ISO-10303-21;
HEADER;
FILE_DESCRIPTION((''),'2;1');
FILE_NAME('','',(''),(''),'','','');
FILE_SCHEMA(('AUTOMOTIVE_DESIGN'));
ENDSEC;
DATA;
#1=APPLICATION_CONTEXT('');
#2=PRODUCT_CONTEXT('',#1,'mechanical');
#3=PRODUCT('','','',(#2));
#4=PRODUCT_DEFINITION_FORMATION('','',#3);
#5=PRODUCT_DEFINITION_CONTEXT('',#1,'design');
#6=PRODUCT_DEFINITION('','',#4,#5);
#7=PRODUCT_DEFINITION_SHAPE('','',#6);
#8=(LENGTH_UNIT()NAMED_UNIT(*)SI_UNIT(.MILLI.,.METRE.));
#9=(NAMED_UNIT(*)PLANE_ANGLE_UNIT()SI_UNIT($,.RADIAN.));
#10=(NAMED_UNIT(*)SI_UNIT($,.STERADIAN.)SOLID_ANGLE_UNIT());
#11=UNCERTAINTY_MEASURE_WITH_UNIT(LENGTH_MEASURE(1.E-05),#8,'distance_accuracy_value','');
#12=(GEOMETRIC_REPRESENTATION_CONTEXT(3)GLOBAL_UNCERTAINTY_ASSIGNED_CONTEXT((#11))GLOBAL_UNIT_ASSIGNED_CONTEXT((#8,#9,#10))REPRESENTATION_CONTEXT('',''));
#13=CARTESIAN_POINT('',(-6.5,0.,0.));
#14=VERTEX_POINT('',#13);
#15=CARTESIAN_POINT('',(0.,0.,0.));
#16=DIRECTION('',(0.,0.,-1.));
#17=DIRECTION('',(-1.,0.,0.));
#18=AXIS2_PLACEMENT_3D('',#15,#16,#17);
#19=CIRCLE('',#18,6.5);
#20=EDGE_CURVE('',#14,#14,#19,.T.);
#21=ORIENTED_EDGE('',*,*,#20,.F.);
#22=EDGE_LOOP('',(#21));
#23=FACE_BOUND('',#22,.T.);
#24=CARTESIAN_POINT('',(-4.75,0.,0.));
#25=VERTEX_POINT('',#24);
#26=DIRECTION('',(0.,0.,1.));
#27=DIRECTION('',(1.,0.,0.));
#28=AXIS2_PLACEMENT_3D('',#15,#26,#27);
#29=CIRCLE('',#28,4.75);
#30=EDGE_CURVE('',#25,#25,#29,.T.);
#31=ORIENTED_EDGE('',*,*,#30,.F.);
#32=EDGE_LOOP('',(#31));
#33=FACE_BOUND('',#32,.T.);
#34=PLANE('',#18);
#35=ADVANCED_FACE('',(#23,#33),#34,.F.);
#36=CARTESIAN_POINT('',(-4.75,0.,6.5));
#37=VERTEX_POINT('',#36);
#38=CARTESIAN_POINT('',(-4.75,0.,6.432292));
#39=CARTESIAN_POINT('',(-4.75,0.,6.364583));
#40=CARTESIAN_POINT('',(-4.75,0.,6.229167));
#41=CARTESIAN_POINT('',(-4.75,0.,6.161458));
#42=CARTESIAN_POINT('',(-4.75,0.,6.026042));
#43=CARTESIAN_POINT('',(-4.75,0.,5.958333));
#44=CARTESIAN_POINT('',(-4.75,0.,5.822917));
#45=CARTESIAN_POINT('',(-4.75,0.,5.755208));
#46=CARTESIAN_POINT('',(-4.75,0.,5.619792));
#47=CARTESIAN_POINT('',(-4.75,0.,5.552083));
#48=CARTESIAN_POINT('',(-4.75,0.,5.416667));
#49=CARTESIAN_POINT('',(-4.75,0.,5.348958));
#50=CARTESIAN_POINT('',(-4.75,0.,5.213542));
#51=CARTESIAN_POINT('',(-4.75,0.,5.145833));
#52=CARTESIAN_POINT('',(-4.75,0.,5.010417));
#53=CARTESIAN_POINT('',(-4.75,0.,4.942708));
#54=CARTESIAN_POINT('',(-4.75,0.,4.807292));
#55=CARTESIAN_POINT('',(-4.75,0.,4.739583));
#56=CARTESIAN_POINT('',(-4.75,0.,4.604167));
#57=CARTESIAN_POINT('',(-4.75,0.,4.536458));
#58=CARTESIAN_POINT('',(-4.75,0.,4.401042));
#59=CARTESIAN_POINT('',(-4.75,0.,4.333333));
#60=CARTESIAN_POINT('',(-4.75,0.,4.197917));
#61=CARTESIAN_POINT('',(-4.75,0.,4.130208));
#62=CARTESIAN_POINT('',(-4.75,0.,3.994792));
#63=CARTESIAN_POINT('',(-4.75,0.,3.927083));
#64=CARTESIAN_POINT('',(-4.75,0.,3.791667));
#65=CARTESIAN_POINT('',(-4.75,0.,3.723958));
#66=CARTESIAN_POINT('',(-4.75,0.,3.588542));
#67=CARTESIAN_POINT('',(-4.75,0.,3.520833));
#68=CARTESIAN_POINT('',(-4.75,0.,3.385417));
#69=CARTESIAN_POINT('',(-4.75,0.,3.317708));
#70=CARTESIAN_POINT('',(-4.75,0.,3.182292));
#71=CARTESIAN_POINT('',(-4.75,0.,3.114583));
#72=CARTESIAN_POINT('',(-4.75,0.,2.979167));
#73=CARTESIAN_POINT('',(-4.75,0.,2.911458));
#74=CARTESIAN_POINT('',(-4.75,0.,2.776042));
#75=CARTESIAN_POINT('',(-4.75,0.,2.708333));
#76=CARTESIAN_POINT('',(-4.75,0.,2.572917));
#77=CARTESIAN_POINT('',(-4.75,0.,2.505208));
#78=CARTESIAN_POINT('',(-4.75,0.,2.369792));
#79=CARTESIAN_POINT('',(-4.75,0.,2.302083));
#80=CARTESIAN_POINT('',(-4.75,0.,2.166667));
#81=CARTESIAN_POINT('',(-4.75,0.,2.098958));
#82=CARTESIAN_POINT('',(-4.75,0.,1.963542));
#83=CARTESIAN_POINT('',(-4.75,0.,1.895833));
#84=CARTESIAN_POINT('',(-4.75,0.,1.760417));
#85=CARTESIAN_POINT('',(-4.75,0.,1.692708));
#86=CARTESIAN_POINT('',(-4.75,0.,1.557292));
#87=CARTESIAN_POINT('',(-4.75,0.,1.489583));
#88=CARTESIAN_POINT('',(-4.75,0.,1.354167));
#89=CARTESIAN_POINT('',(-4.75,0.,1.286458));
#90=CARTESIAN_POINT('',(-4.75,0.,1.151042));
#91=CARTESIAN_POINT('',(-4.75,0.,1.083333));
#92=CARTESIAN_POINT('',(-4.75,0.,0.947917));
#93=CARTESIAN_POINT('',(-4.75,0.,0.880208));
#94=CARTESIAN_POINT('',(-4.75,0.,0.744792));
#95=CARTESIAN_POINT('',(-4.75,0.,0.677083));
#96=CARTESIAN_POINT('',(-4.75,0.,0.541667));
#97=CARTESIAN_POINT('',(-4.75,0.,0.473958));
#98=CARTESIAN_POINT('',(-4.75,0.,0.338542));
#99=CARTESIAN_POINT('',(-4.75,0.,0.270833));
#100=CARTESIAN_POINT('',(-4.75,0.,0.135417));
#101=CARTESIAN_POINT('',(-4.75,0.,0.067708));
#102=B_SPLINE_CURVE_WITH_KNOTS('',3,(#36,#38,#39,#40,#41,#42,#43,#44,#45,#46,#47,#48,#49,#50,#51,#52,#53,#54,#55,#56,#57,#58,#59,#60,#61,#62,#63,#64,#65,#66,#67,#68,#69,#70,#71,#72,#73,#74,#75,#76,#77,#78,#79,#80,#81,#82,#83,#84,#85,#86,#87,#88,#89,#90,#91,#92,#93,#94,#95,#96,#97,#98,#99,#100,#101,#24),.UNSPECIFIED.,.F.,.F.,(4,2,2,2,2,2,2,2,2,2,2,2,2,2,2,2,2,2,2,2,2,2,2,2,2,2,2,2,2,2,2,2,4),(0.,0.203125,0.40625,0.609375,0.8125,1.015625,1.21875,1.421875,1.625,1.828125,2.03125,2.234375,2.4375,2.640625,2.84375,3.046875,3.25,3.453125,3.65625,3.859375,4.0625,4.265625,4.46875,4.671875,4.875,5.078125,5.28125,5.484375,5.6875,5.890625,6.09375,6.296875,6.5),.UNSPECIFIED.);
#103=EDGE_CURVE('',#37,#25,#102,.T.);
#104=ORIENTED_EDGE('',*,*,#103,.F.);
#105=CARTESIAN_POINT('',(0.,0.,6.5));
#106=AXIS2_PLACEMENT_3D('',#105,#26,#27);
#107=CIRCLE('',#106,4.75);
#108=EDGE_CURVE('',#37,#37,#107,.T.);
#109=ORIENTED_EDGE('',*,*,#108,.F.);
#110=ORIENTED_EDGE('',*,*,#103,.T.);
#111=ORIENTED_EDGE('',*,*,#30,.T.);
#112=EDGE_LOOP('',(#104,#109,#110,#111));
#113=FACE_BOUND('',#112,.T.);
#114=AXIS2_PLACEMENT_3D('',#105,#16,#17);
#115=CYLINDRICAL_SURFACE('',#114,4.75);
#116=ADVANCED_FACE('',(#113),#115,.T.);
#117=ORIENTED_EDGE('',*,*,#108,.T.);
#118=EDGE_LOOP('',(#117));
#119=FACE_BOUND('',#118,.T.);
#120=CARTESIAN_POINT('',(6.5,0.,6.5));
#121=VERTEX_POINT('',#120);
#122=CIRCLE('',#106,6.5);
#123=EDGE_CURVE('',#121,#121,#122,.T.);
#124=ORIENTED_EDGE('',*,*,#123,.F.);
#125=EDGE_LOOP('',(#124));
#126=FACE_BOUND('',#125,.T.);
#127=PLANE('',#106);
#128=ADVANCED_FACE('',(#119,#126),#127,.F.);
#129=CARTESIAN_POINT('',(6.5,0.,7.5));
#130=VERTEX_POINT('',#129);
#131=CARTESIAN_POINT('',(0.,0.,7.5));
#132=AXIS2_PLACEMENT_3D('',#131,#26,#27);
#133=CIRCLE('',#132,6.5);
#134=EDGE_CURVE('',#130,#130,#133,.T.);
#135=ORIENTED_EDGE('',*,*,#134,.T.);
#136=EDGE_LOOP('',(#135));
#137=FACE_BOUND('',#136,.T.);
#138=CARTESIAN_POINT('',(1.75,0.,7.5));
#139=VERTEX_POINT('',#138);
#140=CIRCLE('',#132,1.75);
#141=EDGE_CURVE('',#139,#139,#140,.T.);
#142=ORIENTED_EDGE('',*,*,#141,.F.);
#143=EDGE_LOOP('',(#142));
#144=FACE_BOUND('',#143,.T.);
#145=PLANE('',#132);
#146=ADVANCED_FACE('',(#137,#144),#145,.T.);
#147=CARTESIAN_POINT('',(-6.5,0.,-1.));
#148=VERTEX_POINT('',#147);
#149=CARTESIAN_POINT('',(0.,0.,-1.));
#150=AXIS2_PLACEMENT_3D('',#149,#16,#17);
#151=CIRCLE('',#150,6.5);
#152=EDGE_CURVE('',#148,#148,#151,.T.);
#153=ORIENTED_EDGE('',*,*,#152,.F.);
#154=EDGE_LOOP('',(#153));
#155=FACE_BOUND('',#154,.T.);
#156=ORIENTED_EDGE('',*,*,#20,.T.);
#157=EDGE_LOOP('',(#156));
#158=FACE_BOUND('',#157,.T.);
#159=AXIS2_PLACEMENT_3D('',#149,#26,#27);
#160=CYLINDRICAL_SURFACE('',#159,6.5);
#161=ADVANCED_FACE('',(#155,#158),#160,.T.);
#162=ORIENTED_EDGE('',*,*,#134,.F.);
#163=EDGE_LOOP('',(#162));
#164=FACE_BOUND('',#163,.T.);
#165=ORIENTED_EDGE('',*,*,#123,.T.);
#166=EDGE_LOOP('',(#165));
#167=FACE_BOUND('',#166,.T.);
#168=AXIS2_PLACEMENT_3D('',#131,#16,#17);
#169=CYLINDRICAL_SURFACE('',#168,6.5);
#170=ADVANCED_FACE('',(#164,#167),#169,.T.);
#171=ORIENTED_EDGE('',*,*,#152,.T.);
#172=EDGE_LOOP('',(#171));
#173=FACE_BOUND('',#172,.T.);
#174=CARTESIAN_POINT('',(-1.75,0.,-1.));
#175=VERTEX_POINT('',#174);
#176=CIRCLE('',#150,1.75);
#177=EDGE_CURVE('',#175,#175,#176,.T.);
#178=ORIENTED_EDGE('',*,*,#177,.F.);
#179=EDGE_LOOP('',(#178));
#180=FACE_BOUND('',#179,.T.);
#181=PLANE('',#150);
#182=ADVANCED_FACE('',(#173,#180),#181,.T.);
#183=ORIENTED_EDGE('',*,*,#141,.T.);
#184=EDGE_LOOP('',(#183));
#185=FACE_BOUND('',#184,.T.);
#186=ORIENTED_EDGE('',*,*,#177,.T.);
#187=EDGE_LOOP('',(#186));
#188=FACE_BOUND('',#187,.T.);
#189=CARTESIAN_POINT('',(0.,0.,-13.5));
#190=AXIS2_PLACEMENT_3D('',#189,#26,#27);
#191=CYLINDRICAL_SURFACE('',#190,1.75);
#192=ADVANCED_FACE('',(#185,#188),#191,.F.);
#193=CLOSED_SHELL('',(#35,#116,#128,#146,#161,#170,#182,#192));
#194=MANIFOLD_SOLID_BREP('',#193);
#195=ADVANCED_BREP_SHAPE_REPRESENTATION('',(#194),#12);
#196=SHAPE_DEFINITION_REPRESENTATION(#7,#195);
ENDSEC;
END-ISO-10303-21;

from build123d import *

# Parameters (mm, degrees)
SKETCH_1_R          = 4.75
EXTRUDE_1_DEPTH     = 6.5
SKETCH_2_R          = 6.5
EXTRUDE_2_DEPTH     = 1
EXTRUDE_START       = 1
SKETCH_3_R          = 6.5
EXTRUDE_3_DEPTH     = 1
SKETCH_4_R          = 1.75
CUT_EXTRUDE_1_DEPTH = 21


with BuildPart() as part:
    # 草图1 → 凸台-拉伸1 (new body)
    with BuildSketch(Plane.XY):
        with Locations(Location((0, 0, 0), (0, 0, 180))):
            Circle(SKETCH_1_R)
    extrude(amount=EXTRUDE_1_DEPTH)

    # 草图2 → 凸台-拉伸2 (add)
    with BuildSketch(Plane.XY.offset(6.5)):
        Circle(SKETCH_2_R)
    extrude(amount=EXTRUDE_2_DEPTH)

    # 草图3 → 凸台-拉伸3 (add)
    with BuildSketch(Plane(origin=(0, 0, 0), x_dir=(-1, 0, 0), z_dir=(0, 0, -1)).offset(EXTRUDE_START)):
        with Locations(Location((0, 0, 0), (0, 0, 180))):
            Circle(SKETCH_3_R)
    extrude(amount=-EXTRUDE_3_DEPTH)

    # 草图4 → 切除-拉伸1 (cut)
    with BuildSketch(Plane.XY.offset(7.5)):
        Circle(SKETCH_4_R)
    extrude(amount=-CUT_EXTRUDE_1_DEPTH, mode=Mode.SUBTRACT)


solid = part.part
